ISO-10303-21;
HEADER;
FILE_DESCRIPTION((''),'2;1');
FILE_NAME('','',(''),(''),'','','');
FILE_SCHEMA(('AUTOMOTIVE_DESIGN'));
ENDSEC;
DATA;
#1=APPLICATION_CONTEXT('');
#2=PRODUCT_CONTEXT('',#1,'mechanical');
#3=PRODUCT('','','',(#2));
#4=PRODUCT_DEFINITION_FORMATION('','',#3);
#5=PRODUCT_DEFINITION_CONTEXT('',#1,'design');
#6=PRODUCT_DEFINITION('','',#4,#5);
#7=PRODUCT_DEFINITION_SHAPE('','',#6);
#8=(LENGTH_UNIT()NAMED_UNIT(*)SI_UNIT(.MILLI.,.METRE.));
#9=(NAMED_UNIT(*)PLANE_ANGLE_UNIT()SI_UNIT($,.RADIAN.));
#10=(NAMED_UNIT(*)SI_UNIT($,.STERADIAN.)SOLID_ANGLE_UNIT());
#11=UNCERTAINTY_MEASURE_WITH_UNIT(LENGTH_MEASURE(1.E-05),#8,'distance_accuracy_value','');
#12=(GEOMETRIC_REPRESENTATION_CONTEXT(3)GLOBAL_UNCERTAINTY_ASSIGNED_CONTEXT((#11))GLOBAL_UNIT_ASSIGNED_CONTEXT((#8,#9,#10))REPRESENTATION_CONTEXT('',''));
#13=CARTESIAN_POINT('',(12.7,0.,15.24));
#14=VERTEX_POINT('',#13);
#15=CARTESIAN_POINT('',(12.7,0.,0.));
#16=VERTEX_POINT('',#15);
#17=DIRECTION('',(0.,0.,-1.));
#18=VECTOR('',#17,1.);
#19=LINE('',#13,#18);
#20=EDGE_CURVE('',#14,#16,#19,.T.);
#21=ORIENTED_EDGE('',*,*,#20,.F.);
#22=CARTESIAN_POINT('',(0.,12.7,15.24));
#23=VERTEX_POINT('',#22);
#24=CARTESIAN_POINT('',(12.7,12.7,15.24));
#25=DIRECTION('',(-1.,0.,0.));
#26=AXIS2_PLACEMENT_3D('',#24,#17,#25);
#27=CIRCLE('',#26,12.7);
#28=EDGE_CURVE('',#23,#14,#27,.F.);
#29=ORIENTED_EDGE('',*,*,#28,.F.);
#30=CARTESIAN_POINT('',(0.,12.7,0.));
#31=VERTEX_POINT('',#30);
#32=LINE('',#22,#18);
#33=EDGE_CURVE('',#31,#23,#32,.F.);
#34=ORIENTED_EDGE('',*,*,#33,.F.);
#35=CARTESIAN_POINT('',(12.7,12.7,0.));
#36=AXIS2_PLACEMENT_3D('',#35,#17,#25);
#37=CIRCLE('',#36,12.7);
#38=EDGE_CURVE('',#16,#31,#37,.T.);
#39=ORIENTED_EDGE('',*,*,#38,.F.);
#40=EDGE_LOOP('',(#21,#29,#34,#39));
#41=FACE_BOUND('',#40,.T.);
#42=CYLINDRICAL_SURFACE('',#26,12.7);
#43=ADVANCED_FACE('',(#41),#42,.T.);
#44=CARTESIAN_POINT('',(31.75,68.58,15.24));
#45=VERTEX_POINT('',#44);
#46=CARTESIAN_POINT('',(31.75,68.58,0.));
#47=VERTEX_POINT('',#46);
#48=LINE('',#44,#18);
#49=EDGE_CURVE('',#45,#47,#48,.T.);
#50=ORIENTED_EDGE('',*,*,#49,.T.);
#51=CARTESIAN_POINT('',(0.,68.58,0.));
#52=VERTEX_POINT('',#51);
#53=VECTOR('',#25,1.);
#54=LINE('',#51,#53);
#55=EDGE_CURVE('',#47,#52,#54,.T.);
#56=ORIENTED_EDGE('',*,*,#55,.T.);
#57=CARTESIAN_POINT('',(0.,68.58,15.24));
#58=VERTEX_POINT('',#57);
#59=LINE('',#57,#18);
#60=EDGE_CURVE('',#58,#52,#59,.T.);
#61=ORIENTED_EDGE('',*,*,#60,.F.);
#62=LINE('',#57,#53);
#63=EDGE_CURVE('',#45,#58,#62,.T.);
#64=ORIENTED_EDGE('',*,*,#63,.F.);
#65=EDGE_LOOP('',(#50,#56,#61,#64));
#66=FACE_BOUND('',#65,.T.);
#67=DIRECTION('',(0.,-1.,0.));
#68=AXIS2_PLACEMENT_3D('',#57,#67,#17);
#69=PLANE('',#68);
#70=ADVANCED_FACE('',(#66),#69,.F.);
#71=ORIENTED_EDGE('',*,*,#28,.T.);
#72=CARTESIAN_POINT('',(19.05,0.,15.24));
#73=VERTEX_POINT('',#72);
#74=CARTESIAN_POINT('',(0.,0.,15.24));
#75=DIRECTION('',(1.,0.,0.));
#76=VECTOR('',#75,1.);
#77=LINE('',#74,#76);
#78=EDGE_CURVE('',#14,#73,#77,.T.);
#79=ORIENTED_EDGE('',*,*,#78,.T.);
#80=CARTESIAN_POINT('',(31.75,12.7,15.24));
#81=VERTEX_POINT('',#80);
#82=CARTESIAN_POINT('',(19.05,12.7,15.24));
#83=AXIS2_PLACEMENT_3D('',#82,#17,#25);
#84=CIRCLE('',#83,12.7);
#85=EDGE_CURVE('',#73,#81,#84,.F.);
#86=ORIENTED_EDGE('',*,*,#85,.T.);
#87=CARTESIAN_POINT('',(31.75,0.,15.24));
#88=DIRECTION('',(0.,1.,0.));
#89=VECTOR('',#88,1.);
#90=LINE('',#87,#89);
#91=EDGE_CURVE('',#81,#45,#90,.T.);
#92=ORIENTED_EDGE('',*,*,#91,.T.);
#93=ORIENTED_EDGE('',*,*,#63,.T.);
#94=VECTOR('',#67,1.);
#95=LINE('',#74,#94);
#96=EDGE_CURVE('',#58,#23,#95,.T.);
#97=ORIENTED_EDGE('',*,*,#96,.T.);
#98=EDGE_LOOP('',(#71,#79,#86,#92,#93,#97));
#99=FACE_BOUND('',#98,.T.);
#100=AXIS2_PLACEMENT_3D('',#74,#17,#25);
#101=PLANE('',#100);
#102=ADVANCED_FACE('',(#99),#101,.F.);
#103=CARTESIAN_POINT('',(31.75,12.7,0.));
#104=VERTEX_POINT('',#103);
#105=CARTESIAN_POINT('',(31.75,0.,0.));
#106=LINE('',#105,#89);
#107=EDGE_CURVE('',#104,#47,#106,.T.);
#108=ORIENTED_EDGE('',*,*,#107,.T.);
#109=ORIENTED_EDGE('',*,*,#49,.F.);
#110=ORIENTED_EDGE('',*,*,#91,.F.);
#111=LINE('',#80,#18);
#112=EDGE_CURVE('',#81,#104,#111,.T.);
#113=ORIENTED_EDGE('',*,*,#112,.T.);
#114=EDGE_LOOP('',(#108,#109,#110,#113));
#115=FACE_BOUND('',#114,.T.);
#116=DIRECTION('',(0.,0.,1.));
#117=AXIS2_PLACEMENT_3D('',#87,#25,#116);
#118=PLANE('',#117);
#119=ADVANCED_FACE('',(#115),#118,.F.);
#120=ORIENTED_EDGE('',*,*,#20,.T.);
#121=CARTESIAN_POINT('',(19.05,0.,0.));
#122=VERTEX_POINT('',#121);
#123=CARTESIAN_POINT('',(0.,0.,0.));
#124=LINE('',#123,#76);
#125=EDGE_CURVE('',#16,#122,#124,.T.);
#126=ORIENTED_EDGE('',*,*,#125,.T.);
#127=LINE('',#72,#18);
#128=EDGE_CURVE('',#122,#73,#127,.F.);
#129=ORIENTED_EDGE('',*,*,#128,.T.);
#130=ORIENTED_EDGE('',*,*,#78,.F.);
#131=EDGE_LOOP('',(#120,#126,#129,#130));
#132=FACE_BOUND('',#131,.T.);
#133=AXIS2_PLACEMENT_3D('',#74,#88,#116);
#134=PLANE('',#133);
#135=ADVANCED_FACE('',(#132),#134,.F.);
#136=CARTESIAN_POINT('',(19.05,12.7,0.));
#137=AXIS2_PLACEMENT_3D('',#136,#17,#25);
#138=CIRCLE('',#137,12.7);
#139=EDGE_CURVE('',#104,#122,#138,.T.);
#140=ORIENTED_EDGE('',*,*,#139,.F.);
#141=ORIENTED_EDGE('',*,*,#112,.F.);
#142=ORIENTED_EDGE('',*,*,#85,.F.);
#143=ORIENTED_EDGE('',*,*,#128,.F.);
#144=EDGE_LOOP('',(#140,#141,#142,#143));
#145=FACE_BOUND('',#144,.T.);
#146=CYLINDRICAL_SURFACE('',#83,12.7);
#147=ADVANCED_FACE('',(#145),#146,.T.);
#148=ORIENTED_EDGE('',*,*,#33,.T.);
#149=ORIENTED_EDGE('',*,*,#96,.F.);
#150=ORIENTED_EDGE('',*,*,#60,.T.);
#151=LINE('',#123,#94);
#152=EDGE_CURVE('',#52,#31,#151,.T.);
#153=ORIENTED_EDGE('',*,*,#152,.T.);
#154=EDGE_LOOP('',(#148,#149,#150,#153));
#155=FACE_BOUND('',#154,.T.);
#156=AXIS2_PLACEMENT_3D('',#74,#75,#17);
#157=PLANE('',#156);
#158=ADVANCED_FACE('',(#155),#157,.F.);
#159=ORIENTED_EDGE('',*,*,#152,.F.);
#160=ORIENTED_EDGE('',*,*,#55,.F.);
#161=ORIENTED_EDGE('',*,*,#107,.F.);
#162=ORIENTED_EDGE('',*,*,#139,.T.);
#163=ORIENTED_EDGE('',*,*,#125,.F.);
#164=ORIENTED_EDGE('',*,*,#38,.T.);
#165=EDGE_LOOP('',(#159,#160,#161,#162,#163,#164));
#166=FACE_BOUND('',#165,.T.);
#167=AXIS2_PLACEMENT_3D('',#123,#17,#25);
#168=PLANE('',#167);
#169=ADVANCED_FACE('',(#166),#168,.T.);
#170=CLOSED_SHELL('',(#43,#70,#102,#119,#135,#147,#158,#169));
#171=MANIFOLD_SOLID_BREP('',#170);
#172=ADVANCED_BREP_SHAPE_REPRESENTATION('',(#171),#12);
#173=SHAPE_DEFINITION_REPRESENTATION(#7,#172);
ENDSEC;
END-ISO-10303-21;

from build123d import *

# Parameters (mm, degrees)
SKETCH1_W           = 31.75
SKETCH1_H           = 68.58
BOSS_EXTRUDE1_DEPTH = 15.24
FILLET1_R           = 12.7


with BuildPart() as part:
    # Sketch1 → Boss-Extrude1 (new body)
    with BuildSketch(Plane.XY):
        with Locations((15.875, 34.29)):
            Rectangle(SKETCH1_W, SKETCH1_H)
    extrude(amount=BOSS_EXTRUDE1_DEPTH)

    # Fillet1
    fillet1_edges = [part.edges().sort_by_distance(p)[0] for p in [
        (31.75, 0, 7.62),
        (0, 0, 7.62),
    ]]
    fillet(fillet1_edges, radius=FILLET1_R)


solid = part.part
